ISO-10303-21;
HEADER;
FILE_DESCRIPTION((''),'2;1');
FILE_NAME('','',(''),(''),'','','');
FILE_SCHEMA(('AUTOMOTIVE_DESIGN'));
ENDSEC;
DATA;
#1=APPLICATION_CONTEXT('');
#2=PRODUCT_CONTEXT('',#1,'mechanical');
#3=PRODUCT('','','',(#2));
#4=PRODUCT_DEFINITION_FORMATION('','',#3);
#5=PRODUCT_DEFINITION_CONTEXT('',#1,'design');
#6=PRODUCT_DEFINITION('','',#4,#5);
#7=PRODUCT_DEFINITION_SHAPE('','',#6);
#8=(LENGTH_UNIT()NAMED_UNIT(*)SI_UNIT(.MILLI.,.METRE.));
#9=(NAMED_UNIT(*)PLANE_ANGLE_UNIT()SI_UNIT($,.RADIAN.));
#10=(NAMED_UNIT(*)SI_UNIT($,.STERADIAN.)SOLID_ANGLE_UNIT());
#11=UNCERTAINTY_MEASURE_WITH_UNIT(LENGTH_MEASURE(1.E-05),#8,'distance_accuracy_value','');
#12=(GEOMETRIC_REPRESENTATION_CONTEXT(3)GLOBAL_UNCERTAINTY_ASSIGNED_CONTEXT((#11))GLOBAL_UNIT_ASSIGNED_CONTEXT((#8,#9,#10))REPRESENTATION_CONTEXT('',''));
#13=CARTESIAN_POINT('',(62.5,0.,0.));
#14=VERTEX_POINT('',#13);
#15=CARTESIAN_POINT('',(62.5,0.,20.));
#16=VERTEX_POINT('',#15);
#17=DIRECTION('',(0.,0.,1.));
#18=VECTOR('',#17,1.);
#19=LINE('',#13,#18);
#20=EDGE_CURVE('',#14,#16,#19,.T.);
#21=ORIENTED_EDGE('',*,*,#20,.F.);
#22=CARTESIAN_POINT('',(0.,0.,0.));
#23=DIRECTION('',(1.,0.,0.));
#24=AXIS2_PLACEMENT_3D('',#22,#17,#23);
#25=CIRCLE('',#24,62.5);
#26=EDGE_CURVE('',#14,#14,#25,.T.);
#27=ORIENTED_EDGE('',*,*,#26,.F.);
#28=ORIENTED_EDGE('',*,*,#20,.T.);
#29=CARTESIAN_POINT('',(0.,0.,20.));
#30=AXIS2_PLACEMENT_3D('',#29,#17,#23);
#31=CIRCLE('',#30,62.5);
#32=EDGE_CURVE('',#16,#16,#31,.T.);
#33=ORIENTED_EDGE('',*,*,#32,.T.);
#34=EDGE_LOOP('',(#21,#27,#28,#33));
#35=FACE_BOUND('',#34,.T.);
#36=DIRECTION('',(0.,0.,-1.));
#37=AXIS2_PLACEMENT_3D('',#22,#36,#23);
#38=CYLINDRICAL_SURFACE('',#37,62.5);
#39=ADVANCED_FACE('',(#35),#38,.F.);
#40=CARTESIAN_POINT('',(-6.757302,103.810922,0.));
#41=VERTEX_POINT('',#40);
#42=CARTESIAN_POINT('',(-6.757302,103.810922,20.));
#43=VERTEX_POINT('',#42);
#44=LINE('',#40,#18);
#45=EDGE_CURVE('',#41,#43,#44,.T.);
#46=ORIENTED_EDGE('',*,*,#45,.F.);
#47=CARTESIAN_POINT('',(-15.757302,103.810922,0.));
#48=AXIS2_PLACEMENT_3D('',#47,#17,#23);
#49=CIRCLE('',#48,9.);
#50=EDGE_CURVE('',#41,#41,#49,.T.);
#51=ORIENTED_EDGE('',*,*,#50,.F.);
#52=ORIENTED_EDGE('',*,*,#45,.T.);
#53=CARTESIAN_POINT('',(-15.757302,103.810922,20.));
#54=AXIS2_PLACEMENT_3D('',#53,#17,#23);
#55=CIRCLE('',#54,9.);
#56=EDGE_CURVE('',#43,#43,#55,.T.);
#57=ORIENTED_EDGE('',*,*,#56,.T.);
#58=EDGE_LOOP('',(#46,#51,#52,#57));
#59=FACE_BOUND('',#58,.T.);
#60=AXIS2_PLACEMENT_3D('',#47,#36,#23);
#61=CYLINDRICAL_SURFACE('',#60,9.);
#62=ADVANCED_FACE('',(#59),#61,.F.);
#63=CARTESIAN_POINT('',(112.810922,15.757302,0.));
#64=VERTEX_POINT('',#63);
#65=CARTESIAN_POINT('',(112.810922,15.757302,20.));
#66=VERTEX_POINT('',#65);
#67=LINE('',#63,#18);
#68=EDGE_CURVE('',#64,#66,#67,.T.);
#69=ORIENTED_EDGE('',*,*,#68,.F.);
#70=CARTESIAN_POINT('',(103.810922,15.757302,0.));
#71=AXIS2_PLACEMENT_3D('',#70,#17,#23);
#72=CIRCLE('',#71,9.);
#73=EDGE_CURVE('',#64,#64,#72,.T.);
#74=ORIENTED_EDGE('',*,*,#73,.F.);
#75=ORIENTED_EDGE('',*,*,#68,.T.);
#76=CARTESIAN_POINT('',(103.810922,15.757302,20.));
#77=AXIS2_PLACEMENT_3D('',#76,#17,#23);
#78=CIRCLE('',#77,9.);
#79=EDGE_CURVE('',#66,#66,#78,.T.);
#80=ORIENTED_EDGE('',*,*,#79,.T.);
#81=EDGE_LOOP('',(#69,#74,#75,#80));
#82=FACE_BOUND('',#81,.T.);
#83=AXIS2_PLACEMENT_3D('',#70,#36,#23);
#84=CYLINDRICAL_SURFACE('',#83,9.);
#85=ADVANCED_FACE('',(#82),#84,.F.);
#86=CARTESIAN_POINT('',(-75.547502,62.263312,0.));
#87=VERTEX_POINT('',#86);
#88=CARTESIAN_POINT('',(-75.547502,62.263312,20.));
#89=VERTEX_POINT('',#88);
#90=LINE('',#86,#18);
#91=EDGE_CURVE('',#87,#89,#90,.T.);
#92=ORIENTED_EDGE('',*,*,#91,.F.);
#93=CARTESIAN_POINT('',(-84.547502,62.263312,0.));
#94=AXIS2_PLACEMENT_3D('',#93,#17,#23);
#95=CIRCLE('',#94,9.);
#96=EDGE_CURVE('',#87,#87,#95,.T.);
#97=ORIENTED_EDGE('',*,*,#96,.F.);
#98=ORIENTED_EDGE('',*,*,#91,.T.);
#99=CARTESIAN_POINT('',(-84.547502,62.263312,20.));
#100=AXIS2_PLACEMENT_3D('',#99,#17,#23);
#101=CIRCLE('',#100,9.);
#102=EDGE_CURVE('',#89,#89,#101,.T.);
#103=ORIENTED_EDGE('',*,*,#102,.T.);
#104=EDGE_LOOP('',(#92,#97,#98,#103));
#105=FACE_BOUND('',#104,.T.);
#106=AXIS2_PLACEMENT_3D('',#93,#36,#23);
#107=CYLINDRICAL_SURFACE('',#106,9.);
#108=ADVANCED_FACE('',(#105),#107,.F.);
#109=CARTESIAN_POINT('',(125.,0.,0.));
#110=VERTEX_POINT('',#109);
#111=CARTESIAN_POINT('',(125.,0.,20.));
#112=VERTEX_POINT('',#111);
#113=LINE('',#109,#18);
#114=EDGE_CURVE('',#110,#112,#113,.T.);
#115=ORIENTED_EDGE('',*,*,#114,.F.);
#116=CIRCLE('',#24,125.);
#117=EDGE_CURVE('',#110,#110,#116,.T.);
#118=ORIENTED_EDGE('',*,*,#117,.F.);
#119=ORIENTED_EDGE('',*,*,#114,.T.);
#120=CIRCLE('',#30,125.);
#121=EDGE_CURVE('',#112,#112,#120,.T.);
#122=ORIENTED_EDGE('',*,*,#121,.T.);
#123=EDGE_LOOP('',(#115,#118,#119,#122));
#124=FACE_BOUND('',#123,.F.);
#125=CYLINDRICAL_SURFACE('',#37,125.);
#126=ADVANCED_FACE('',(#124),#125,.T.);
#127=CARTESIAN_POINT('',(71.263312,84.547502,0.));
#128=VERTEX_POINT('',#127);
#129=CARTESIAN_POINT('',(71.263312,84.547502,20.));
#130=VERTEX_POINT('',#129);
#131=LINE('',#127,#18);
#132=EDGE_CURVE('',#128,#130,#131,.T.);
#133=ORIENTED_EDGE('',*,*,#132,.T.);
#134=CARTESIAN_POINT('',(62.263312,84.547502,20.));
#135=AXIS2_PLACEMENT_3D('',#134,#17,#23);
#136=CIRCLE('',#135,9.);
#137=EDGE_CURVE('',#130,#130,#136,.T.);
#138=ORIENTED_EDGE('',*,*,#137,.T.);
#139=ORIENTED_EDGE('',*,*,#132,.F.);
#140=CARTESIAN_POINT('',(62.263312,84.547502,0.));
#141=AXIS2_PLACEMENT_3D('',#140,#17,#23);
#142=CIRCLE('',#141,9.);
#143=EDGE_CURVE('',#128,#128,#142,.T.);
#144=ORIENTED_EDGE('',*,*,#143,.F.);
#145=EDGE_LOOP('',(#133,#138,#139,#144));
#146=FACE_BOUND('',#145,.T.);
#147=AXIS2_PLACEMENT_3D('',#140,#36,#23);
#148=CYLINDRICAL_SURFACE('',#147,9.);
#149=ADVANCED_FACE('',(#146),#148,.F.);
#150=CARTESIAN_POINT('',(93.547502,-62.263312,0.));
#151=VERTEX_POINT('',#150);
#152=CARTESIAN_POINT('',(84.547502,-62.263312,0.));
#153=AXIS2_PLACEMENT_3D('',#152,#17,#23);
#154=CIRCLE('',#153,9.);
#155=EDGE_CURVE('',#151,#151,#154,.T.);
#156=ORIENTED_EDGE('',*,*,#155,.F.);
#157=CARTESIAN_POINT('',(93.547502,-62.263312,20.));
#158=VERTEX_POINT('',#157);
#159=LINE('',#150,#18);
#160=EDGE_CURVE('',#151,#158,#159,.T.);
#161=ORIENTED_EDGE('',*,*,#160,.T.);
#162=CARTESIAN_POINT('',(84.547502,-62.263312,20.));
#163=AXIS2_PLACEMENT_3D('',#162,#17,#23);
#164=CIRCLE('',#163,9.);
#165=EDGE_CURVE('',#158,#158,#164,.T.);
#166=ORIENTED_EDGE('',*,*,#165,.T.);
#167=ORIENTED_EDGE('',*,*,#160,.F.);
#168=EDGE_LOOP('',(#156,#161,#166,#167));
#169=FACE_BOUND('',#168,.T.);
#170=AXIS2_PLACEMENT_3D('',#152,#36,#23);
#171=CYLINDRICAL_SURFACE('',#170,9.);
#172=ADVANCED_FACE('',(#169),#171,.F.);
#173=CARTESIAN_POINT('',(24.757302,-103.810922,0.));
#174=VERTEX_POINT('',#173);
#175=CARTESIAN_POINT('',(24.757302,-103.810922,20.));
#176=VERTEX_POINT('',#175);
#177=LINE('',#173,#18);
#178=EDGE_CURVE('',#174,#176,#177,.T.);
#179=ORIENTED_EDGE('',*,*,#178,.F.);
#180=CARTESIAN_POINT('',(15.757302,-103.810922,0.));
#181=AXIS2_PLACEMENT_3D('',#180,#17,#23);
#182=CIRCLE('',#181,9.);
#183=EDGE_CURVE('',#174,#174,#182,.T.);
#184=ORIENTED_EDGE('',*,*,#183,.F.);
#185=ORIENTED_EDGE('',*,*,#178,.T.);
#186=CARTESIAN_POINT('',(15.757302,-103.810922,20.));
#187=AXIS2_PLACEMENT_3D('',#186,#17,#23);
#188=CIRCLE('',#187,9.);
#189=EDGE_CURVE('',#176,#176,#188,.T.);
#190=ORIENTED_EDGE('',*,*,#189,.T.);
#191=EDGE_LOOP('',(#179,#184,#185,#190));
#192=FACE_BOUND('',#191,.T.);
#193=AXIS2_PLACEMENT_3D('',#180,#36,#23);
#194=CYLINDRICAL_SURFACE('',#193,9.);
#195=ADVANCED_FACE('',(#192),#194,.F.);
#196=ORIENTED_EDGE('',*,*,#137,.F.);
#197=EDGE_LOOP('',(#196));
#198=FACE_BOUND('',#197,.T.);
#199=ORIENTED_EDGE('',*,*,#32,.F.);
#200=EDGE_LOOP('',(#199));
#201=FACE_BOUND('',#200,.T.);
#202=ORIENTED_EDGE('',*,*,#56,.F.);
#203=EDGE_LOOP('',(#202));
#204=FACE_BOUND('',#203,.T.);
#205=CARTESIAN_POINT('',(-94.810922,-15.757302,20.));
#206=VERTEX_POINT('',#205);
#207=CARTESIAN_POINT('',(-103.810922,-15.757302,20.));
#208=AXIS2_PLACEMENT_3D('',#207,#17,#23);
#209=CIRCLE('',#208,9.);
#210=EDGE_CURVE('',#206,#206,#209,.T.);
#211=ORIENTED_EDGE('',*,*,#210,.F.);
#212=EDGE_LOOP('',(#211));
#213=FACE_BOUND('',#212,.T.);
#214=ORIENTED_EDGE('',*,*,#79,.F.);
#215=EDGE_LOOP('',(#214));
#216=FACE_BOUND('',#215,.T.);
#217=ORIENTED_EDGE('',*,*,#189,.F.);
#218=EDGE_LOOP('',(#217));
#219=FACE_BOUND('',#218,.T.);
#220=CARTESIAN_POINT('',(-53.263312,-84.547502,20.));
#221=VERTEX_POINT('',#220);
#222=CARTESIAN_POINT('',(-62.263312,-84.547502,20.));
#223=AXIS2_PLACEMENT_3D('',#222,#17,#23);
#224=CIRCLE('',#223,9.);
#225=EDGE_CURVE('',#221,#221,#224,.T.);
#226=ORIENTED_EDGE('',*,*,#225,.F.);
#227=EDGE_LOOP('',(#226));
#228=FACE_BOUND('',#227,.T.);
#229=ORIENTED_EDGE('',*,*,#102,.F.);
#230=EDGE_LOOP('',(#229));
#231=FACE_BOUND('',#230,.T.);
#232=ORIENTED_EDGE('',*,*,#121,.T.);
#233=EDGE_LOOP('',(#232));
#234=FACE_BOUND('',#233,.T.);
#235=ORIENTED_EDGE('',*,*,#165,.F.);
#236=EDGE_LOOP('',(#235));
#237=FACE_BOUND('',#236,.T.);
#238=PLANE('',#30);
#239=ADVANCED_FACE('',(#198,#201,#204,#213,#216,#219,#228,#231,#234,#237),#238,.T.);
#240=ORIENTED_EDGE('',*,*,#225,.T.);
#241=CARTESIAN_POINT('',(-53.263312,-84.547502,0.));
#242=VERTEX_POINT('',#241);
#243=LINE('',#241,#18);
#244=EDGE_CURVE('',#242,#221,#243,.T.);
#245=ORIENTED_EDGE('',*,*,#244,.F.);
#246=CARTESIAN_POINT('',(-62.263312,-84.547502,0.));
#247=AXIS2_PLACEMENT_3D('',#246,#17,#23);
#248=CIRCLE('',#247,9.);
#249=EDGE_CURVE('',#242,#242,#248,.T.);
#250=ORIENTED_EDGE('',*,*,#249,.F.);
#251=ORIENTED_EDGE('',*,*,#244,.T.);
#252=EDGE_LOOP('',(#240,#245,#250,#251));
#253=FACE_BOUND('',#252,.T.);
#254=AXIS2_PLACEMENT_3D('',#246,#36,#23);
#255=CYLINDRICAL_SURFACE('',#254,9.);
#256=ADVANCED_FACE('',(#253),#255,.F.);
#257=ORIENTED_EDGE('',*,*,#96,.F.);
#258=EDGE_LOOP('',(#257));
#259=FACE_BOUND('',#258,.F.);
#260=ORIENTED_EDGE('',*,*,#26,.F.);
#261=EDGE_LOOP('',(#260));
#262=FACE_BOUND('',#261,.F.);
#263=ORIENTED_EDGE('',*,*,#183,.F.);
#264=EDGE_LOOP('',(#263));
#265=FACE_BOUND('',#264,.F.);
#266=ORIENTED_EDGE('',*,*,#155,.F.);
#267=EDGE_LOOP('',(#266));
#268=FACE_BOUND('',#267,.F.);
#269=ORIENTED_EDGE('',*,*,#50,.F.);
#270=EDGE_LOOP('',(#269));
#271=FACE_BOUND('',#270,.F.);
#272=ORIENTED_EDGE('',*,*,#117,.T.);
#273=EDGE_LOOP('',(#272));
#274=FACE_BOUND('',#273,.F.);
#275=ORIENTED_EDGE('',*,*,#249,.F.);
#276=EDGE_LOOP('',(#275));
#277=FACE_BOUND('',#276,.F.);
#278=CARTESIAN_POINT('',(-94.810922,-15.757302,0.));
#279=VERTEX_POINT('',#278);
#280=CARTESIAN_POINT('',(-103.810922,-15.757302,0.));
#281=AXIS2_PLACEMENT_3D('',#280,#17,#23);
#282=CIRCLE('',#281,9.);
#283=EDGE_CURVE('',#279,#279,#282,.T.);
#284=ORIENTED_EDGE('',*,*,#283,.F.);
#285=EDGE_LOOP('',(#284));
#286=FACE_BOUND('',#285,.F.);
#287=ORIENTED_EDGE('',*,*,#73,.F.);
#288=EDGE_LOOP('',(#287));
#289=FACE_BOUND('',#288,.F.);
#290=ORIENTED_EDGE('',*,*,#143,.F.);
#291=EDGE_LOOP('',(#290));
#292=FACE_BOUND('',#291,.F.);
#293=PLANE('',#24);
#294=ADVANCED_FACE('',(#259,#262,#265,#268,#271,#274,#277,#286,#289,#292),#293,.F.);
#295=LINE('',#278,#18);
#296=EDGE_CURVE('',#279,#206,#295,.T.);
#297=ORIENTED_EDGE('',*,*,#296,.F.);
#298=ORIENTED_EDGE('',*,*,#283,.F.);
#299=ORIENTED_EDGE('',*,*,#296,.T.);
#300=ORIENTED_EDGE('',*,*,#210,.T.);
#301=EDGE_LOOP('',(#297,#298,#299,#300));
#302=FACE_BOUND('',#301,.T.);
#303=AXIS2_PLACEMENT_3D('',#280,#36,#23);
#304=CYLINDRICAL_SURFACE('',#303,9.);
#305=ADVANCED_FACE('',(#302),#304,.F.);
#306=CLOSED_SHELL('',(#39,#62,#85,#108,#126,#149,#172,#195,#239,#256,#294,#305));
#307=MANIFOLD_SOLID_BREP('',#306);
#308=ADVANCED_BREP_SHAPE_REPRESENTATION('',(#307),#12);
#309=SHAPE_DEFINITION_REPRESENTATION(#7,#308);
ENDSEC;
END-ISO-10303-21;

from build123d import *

# Parameters (mm, degrees)
F0_R     = 125
F0_R_2   = 9
F0_R_3   = 62.5
F1_DEPTH = 20


with BuildPart() as f1:
    # F0 (on Top) → F1 (new body)
    with BuildSketch(Plane.XY):
        Circle(F0_R)
        with Locations((-62.263312, -84.547502)):
            Circle(F0_R_2, mode=Mode.SUBTRACT)
        with Locations((-103.810922, -15.757302)):
            Circle(F0_R_2, mode=Mode.SUBTRACT)
        with Locations((15.757302, -103.810922)):
            Circle(F0_R_2, mode=Mode.SUBTRACT)
        with Locations((84.547502, -62.263312)):
            Circle(F0_R_2, mode=Mode.SUBTRACT)
        with Locations((-84.547502, 62.263312)):
            Circle(F0_R_2, mode=Mode.SUBTRACT)
        with Locations((-15.757302, 103.810922)):
            Circle(F0_R_2, mode=Mode.SUBTRACT)
        Circle(F0_R_3, mode=Mode.SUBTRACT)
        with Locations((103.810922, 15.757302)):
            Circle(F0_R_2, mode=Mode.SUBTRACT)
        with Locations((62.263312, 84.547502)):
            Circle(F0_R_2, mode=Mode.SUBTRACT)
    extrude(amount=F1_DEPTH)


solid = f1.part
